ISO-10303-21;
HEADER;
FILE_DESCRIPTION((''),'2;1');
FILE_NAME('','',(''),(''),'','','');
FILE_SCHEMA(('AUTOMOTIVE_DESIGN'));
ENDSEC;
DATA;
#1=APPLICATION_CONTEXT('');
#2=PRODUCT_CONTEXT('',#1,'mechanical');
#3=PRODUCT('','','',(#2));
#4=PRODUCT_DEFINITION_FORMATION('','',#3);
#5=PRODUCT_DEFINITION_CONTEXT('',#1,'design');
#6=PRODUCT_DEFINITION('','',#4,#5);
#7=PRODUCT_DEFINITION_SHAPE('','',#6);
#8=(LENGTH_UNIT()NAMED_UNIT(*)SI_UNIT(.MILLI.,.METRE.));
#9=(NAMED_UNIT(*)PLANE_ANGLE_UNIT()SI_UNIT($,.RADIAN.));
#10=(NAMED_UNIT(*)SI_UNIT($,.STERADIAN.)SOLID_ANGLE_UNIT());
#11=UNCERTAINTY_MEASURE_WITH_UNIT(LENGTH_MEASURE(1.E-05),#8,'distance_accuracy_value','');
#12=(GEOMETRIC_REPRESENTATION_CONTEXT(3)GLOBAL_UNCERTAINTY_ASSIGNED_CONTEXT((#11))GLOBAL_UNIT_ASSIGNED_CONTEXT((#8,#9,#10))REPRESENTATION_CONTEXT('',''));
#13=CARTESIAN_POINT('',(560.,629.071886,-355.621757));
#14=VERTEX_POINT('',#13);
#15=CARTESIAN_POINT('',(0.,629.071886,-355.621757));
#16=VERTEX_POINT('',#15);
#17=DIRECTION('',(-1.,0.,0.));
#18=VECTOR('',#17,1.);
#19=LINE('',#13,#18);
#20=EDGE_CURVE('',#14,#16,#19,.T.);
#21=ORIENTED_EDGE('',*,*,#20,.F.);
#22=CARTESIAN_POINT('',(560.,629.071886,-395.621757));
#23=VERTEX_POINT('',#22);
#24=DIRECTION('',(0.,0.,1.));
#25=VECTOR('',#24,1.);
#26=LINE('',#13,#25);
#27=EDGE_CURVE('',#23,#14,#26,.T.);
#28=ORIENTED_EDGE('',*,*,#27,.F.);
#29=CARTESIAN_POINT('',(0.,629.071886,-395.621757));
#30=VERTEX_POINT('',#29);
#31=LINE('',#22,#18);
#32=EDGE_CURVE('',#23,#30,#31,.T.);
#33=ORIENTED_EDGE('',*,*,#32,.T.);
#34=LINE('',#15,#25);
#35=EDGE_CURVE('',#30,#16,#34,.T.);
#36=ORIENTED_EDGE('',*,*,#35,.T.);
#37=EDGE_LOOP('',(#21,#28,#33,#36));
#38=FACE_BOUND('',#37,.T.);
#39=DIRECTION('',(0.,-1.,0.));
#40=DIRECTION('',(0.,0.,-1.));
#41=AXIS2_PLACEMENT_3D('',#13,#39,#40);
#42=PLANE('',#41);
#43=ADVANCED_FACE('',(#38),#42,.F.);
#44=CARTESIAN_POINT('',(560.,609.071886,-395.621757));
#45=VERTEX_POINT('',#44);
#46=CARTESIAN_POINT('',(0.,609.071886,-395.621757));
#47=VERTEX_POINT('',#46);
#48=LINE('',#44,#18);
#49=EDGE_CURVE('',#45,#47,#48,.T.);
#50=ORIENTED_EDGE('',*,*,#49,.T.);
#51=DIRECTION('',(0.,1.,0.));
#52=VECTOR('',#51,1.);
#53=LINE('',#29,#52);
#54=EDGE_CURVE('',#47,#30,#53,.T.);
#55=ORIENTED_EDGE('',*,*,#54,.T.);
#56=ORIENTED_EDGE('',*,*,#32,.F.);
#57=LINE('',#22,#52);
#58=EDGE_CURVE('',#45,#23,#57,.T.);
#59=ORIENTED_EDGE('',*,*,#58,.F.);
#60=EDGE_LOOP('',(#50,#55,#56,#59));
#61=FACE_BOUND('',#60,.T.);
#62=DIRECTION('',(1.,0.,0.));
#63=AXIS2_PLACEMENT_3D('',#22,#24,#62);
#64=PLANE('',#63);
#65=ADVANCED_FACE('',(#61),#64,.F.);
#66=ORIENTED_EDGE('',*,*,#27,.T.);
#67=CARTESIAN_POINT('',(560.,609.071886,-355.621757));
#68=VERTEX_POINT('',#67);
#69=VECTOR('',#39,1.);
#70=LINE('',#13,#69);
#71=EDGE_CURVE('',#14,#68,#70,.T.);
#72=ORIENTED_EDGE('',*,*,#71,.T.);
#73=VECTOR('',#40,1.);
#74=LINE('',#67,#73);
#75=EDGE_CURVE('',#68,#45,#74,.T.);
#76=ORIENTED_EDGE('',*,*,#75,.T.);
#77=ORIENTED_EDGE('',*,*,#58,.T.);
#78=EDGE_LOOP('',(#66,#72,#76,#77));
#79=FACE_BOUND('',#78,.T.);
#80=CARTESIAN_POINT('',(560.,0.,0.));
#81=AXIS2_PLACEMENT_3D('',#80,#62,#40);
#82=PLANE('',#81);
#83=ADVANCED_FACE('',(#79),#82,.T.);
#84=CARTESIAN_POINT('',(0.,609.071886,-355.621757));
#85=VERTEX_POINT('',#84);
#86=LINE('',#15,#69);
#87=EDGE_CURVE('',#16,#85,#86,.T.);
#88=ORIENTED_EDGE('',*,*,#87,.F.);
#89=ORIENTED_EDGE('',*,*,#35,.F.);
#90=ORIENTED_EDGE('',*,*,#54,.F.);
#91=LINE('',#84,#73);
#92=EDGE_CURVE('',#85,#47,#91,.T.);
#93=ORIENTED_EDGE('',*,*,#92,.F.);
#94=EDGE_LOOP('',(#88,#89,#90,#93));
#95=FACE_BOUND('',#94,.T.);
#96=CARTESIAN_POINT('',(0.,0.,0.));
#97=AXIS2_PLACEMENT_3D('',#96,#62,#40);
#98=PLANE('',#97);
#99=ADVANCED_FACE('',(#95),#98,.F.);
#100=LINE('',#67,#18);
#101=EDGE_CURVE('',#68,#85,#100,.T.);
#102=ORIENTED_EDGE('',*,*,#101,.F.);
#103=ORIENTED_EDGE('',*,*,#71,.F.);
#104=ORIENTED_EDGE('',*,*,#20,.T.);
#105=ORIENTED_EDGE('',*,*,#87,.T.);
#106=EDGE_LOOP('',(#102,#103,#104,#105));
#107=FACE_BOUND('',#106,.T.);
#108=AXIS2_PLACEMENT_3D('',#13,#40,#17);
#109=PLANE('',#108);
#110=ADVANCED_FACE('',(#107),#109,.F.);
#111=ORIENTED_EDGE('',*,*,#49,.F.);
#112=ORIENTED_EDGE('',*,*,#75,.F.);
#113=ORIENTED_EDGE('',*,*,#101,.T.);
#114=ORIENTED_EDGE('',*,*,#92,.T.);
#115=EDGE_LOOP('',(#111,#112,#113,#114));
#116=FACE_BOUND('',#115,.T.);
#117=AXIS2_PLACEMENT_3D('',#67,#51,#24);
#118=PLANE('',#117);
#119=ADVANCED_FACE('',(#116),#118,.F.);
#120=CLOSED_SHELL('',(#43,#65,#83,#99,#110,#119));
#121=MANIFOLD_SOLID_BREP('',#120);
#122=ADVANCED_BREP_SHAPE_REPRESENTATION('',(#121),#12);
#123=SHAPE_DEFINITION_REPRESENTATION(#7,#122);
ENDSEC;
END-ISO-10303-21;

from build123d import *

# Parameters (mm, degrees)
SKETCH_1_W      = 40
SKETCH_1_H      = 20
EXTRUDE_1_DEPTH = 560


with BuildPart() as part:
    # Эскиз1 → Бобышка-Вытянуть1 (new body)
    with BuildSketch(Plane(origin=(0, 0, 0), x_dir=(0, 0, -1), z_dir=(1, 0, 0))):
        with Locations((375.62175711, 619.071886436)):
            Rectangle(SKETCH_1_W, SKETCH_1_H)
    extrude(amount=EXTRUDE_1_DEPTH)


solid = part.part
